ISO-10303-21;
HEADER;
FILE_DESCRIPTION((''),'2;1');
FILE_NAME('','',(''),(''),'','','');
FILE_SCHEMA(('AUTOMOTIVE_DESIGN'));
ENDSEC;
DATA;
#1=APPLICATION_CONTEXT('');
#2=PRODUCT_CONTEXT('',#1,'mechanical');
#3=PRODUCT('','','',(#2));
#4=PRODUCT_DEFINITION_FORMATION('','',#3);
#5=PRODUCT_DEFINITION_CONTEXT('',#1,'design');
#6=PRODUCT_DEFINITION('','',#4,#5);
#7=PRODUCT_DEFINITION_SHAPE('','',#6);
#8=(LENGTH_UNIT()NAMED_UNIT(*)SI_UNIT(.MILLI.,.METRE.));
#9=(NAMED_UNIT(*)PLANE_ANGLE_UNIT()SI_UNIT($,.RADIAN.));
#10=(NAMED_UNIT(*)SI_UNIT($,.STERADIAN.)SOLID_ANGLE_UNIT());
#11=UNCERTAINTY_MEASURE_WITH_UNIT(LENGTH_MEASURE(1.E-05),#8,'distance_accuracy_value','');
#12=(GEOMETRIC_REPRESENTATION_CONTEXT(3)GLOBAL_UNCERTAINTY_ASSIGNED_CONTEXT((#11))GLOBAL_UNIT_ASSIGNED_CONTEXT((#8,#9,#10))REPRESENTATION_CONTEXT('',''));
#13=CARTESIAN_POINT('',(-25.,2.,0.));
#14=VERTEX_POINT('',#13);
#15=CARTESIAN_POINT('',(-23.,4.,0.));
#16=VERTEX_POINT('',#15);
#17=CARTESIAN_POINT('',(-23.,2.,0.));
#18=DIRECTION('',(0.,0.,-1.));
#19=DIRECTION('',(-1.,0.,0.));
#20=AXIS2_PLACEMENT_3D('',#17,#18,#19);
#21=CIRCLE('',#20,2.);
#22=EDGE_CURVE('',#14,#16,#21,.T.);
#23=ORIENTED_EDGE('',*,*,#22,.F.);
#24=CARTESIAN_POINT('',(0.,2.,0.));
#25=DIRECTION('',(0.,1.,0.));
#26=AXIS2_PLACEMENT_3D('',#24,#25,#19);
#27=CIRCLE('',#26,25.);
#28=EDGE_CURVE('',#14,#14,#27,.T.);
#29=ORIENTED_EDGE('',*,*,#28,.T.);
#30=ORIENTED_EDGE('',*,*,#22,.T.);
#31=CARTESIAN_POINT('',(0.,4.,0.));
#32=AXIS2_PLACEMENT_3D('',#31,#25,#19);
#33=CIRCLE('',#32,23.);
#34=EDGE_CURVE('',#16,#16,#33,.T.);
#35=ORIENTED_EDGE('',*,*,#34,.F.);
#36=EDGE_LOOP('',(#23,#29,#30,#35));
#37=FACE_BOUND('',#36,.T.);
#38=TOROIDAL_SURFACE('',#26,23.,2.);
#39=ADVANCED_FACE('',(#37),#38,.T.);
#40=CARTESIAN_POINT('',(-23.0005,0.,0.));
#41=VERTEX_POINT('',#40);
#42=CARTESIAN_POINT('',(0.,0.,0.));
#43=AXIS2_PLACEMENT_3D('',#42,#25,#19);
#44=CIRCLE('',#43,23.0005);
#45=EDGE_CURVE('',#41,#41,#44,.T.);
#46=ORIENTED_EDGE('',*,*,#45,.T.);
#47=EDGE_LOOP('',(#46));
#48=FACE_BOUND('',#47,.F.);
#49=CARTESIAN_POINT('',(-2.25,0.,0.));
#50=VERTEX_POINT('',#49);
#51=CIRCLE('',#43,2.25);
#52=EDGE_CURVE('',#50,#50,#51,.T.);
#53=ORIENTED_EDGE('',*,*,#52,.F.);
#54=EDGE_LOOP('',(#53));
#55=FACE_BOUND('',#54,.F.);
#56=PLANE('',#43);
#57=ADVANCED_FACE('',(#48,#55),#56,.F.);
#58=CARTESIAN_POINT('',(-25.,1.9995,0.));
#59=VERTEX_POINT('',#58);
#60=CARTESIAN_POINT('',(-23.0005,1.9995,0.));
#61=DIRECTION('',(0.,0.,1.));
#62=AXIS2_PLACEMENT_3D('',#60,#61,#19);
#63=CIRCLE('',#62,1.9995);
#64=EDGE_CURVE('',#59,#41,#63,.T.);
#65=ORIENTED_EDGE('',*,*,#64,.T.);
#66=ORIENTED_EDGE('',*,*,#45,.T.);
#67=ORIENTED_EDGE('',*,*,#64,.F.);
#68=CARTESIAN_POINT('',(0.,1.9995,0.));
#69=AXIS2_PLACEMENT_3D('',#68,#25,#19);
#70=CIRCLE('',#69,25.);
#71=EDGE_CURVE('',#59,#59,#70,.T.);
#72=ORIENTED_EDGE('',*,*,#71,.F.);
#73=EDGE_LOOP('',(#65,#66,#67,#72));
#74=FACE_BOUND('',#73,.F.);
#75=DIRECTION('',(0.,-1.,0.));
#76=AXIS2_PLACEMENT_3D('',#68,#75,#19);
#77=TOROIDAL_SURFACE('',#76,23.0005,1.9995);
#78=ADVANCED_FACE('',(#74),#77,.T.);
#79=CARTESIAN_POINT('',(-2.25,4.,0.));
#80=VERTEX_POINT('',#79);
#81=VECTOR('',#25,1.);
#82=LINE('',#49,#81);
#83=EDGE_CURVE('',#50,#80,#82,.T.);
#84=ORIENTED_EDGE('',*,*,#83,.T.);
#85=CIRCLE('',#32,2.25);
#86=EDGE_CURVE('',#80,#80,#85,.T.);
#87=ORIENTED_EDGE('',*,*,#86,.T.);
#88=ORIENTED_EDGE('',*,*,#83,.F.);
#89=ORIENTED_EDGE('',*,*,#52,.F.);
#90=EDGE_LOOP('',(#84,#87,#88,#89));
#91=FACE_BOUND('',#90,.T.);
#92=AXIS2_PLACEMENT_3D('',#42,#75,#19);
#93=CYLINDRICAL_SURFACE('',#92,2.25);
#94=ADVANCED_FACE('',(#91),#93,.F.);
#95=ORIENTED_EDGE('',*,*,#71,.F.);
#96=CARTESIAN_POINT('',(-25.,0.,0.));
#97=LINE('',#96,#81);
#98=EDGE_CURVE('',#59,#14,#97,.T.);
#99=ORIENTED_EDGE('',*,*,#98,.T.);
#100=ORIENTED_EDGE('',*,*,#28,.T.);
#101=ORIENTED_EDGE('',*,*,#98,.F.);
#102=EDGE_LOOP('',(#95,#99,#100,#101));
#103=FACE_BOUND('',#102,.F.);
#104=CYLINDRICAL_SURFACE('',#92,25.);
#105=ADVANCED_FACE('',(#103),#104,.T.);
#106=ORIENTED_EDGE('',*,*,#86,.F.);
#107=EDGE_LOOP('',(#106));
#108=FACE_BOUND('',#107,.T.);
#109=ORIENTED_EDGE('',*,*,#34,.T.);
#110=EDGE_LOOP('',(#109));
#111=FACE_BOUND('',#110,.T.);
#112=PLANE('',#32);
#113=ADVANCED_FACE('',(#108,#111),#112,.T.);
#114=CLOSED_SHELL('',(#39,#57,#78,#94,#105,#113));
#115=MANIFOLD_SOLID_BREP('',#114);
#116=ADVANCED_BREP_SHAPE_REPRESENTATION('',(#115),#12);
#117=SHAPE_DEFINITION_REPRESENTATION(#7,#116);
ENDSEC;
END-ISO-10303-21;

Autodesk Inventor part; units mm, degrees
ref_plane "YZ Plane" through (0, 0, 0) normal (1, 0, 0) x (0, 1, 0)
ref_plane "XZ Plane" through (0, 0, 0) normal (0, 1, 0) x (-1, 0, 0)
ref_plane "XY Plane" through (0, 0, 0) normal (0, 0, 1) x (1, 0, 0)
sketch "Sketch1" plane through (0, 0, 0) normal (0, 1, 0) x (-1, 0, 0)
  circle A0 centre (0, 0) radius 25
  circle A1 centre (0, 0) radius 2.25
  dimension "d0" = 50
  dimension "d1" = 4.5
extrude "Extrusion1" add sketch "Sketch1" along normal blind 4
fillet "Fillet1" radius 2 1 edges at (25, 4, 0)
fillet "Fillet2" radius 2 1 edges at (25, 0, 0)
properties part number "Rotor"
